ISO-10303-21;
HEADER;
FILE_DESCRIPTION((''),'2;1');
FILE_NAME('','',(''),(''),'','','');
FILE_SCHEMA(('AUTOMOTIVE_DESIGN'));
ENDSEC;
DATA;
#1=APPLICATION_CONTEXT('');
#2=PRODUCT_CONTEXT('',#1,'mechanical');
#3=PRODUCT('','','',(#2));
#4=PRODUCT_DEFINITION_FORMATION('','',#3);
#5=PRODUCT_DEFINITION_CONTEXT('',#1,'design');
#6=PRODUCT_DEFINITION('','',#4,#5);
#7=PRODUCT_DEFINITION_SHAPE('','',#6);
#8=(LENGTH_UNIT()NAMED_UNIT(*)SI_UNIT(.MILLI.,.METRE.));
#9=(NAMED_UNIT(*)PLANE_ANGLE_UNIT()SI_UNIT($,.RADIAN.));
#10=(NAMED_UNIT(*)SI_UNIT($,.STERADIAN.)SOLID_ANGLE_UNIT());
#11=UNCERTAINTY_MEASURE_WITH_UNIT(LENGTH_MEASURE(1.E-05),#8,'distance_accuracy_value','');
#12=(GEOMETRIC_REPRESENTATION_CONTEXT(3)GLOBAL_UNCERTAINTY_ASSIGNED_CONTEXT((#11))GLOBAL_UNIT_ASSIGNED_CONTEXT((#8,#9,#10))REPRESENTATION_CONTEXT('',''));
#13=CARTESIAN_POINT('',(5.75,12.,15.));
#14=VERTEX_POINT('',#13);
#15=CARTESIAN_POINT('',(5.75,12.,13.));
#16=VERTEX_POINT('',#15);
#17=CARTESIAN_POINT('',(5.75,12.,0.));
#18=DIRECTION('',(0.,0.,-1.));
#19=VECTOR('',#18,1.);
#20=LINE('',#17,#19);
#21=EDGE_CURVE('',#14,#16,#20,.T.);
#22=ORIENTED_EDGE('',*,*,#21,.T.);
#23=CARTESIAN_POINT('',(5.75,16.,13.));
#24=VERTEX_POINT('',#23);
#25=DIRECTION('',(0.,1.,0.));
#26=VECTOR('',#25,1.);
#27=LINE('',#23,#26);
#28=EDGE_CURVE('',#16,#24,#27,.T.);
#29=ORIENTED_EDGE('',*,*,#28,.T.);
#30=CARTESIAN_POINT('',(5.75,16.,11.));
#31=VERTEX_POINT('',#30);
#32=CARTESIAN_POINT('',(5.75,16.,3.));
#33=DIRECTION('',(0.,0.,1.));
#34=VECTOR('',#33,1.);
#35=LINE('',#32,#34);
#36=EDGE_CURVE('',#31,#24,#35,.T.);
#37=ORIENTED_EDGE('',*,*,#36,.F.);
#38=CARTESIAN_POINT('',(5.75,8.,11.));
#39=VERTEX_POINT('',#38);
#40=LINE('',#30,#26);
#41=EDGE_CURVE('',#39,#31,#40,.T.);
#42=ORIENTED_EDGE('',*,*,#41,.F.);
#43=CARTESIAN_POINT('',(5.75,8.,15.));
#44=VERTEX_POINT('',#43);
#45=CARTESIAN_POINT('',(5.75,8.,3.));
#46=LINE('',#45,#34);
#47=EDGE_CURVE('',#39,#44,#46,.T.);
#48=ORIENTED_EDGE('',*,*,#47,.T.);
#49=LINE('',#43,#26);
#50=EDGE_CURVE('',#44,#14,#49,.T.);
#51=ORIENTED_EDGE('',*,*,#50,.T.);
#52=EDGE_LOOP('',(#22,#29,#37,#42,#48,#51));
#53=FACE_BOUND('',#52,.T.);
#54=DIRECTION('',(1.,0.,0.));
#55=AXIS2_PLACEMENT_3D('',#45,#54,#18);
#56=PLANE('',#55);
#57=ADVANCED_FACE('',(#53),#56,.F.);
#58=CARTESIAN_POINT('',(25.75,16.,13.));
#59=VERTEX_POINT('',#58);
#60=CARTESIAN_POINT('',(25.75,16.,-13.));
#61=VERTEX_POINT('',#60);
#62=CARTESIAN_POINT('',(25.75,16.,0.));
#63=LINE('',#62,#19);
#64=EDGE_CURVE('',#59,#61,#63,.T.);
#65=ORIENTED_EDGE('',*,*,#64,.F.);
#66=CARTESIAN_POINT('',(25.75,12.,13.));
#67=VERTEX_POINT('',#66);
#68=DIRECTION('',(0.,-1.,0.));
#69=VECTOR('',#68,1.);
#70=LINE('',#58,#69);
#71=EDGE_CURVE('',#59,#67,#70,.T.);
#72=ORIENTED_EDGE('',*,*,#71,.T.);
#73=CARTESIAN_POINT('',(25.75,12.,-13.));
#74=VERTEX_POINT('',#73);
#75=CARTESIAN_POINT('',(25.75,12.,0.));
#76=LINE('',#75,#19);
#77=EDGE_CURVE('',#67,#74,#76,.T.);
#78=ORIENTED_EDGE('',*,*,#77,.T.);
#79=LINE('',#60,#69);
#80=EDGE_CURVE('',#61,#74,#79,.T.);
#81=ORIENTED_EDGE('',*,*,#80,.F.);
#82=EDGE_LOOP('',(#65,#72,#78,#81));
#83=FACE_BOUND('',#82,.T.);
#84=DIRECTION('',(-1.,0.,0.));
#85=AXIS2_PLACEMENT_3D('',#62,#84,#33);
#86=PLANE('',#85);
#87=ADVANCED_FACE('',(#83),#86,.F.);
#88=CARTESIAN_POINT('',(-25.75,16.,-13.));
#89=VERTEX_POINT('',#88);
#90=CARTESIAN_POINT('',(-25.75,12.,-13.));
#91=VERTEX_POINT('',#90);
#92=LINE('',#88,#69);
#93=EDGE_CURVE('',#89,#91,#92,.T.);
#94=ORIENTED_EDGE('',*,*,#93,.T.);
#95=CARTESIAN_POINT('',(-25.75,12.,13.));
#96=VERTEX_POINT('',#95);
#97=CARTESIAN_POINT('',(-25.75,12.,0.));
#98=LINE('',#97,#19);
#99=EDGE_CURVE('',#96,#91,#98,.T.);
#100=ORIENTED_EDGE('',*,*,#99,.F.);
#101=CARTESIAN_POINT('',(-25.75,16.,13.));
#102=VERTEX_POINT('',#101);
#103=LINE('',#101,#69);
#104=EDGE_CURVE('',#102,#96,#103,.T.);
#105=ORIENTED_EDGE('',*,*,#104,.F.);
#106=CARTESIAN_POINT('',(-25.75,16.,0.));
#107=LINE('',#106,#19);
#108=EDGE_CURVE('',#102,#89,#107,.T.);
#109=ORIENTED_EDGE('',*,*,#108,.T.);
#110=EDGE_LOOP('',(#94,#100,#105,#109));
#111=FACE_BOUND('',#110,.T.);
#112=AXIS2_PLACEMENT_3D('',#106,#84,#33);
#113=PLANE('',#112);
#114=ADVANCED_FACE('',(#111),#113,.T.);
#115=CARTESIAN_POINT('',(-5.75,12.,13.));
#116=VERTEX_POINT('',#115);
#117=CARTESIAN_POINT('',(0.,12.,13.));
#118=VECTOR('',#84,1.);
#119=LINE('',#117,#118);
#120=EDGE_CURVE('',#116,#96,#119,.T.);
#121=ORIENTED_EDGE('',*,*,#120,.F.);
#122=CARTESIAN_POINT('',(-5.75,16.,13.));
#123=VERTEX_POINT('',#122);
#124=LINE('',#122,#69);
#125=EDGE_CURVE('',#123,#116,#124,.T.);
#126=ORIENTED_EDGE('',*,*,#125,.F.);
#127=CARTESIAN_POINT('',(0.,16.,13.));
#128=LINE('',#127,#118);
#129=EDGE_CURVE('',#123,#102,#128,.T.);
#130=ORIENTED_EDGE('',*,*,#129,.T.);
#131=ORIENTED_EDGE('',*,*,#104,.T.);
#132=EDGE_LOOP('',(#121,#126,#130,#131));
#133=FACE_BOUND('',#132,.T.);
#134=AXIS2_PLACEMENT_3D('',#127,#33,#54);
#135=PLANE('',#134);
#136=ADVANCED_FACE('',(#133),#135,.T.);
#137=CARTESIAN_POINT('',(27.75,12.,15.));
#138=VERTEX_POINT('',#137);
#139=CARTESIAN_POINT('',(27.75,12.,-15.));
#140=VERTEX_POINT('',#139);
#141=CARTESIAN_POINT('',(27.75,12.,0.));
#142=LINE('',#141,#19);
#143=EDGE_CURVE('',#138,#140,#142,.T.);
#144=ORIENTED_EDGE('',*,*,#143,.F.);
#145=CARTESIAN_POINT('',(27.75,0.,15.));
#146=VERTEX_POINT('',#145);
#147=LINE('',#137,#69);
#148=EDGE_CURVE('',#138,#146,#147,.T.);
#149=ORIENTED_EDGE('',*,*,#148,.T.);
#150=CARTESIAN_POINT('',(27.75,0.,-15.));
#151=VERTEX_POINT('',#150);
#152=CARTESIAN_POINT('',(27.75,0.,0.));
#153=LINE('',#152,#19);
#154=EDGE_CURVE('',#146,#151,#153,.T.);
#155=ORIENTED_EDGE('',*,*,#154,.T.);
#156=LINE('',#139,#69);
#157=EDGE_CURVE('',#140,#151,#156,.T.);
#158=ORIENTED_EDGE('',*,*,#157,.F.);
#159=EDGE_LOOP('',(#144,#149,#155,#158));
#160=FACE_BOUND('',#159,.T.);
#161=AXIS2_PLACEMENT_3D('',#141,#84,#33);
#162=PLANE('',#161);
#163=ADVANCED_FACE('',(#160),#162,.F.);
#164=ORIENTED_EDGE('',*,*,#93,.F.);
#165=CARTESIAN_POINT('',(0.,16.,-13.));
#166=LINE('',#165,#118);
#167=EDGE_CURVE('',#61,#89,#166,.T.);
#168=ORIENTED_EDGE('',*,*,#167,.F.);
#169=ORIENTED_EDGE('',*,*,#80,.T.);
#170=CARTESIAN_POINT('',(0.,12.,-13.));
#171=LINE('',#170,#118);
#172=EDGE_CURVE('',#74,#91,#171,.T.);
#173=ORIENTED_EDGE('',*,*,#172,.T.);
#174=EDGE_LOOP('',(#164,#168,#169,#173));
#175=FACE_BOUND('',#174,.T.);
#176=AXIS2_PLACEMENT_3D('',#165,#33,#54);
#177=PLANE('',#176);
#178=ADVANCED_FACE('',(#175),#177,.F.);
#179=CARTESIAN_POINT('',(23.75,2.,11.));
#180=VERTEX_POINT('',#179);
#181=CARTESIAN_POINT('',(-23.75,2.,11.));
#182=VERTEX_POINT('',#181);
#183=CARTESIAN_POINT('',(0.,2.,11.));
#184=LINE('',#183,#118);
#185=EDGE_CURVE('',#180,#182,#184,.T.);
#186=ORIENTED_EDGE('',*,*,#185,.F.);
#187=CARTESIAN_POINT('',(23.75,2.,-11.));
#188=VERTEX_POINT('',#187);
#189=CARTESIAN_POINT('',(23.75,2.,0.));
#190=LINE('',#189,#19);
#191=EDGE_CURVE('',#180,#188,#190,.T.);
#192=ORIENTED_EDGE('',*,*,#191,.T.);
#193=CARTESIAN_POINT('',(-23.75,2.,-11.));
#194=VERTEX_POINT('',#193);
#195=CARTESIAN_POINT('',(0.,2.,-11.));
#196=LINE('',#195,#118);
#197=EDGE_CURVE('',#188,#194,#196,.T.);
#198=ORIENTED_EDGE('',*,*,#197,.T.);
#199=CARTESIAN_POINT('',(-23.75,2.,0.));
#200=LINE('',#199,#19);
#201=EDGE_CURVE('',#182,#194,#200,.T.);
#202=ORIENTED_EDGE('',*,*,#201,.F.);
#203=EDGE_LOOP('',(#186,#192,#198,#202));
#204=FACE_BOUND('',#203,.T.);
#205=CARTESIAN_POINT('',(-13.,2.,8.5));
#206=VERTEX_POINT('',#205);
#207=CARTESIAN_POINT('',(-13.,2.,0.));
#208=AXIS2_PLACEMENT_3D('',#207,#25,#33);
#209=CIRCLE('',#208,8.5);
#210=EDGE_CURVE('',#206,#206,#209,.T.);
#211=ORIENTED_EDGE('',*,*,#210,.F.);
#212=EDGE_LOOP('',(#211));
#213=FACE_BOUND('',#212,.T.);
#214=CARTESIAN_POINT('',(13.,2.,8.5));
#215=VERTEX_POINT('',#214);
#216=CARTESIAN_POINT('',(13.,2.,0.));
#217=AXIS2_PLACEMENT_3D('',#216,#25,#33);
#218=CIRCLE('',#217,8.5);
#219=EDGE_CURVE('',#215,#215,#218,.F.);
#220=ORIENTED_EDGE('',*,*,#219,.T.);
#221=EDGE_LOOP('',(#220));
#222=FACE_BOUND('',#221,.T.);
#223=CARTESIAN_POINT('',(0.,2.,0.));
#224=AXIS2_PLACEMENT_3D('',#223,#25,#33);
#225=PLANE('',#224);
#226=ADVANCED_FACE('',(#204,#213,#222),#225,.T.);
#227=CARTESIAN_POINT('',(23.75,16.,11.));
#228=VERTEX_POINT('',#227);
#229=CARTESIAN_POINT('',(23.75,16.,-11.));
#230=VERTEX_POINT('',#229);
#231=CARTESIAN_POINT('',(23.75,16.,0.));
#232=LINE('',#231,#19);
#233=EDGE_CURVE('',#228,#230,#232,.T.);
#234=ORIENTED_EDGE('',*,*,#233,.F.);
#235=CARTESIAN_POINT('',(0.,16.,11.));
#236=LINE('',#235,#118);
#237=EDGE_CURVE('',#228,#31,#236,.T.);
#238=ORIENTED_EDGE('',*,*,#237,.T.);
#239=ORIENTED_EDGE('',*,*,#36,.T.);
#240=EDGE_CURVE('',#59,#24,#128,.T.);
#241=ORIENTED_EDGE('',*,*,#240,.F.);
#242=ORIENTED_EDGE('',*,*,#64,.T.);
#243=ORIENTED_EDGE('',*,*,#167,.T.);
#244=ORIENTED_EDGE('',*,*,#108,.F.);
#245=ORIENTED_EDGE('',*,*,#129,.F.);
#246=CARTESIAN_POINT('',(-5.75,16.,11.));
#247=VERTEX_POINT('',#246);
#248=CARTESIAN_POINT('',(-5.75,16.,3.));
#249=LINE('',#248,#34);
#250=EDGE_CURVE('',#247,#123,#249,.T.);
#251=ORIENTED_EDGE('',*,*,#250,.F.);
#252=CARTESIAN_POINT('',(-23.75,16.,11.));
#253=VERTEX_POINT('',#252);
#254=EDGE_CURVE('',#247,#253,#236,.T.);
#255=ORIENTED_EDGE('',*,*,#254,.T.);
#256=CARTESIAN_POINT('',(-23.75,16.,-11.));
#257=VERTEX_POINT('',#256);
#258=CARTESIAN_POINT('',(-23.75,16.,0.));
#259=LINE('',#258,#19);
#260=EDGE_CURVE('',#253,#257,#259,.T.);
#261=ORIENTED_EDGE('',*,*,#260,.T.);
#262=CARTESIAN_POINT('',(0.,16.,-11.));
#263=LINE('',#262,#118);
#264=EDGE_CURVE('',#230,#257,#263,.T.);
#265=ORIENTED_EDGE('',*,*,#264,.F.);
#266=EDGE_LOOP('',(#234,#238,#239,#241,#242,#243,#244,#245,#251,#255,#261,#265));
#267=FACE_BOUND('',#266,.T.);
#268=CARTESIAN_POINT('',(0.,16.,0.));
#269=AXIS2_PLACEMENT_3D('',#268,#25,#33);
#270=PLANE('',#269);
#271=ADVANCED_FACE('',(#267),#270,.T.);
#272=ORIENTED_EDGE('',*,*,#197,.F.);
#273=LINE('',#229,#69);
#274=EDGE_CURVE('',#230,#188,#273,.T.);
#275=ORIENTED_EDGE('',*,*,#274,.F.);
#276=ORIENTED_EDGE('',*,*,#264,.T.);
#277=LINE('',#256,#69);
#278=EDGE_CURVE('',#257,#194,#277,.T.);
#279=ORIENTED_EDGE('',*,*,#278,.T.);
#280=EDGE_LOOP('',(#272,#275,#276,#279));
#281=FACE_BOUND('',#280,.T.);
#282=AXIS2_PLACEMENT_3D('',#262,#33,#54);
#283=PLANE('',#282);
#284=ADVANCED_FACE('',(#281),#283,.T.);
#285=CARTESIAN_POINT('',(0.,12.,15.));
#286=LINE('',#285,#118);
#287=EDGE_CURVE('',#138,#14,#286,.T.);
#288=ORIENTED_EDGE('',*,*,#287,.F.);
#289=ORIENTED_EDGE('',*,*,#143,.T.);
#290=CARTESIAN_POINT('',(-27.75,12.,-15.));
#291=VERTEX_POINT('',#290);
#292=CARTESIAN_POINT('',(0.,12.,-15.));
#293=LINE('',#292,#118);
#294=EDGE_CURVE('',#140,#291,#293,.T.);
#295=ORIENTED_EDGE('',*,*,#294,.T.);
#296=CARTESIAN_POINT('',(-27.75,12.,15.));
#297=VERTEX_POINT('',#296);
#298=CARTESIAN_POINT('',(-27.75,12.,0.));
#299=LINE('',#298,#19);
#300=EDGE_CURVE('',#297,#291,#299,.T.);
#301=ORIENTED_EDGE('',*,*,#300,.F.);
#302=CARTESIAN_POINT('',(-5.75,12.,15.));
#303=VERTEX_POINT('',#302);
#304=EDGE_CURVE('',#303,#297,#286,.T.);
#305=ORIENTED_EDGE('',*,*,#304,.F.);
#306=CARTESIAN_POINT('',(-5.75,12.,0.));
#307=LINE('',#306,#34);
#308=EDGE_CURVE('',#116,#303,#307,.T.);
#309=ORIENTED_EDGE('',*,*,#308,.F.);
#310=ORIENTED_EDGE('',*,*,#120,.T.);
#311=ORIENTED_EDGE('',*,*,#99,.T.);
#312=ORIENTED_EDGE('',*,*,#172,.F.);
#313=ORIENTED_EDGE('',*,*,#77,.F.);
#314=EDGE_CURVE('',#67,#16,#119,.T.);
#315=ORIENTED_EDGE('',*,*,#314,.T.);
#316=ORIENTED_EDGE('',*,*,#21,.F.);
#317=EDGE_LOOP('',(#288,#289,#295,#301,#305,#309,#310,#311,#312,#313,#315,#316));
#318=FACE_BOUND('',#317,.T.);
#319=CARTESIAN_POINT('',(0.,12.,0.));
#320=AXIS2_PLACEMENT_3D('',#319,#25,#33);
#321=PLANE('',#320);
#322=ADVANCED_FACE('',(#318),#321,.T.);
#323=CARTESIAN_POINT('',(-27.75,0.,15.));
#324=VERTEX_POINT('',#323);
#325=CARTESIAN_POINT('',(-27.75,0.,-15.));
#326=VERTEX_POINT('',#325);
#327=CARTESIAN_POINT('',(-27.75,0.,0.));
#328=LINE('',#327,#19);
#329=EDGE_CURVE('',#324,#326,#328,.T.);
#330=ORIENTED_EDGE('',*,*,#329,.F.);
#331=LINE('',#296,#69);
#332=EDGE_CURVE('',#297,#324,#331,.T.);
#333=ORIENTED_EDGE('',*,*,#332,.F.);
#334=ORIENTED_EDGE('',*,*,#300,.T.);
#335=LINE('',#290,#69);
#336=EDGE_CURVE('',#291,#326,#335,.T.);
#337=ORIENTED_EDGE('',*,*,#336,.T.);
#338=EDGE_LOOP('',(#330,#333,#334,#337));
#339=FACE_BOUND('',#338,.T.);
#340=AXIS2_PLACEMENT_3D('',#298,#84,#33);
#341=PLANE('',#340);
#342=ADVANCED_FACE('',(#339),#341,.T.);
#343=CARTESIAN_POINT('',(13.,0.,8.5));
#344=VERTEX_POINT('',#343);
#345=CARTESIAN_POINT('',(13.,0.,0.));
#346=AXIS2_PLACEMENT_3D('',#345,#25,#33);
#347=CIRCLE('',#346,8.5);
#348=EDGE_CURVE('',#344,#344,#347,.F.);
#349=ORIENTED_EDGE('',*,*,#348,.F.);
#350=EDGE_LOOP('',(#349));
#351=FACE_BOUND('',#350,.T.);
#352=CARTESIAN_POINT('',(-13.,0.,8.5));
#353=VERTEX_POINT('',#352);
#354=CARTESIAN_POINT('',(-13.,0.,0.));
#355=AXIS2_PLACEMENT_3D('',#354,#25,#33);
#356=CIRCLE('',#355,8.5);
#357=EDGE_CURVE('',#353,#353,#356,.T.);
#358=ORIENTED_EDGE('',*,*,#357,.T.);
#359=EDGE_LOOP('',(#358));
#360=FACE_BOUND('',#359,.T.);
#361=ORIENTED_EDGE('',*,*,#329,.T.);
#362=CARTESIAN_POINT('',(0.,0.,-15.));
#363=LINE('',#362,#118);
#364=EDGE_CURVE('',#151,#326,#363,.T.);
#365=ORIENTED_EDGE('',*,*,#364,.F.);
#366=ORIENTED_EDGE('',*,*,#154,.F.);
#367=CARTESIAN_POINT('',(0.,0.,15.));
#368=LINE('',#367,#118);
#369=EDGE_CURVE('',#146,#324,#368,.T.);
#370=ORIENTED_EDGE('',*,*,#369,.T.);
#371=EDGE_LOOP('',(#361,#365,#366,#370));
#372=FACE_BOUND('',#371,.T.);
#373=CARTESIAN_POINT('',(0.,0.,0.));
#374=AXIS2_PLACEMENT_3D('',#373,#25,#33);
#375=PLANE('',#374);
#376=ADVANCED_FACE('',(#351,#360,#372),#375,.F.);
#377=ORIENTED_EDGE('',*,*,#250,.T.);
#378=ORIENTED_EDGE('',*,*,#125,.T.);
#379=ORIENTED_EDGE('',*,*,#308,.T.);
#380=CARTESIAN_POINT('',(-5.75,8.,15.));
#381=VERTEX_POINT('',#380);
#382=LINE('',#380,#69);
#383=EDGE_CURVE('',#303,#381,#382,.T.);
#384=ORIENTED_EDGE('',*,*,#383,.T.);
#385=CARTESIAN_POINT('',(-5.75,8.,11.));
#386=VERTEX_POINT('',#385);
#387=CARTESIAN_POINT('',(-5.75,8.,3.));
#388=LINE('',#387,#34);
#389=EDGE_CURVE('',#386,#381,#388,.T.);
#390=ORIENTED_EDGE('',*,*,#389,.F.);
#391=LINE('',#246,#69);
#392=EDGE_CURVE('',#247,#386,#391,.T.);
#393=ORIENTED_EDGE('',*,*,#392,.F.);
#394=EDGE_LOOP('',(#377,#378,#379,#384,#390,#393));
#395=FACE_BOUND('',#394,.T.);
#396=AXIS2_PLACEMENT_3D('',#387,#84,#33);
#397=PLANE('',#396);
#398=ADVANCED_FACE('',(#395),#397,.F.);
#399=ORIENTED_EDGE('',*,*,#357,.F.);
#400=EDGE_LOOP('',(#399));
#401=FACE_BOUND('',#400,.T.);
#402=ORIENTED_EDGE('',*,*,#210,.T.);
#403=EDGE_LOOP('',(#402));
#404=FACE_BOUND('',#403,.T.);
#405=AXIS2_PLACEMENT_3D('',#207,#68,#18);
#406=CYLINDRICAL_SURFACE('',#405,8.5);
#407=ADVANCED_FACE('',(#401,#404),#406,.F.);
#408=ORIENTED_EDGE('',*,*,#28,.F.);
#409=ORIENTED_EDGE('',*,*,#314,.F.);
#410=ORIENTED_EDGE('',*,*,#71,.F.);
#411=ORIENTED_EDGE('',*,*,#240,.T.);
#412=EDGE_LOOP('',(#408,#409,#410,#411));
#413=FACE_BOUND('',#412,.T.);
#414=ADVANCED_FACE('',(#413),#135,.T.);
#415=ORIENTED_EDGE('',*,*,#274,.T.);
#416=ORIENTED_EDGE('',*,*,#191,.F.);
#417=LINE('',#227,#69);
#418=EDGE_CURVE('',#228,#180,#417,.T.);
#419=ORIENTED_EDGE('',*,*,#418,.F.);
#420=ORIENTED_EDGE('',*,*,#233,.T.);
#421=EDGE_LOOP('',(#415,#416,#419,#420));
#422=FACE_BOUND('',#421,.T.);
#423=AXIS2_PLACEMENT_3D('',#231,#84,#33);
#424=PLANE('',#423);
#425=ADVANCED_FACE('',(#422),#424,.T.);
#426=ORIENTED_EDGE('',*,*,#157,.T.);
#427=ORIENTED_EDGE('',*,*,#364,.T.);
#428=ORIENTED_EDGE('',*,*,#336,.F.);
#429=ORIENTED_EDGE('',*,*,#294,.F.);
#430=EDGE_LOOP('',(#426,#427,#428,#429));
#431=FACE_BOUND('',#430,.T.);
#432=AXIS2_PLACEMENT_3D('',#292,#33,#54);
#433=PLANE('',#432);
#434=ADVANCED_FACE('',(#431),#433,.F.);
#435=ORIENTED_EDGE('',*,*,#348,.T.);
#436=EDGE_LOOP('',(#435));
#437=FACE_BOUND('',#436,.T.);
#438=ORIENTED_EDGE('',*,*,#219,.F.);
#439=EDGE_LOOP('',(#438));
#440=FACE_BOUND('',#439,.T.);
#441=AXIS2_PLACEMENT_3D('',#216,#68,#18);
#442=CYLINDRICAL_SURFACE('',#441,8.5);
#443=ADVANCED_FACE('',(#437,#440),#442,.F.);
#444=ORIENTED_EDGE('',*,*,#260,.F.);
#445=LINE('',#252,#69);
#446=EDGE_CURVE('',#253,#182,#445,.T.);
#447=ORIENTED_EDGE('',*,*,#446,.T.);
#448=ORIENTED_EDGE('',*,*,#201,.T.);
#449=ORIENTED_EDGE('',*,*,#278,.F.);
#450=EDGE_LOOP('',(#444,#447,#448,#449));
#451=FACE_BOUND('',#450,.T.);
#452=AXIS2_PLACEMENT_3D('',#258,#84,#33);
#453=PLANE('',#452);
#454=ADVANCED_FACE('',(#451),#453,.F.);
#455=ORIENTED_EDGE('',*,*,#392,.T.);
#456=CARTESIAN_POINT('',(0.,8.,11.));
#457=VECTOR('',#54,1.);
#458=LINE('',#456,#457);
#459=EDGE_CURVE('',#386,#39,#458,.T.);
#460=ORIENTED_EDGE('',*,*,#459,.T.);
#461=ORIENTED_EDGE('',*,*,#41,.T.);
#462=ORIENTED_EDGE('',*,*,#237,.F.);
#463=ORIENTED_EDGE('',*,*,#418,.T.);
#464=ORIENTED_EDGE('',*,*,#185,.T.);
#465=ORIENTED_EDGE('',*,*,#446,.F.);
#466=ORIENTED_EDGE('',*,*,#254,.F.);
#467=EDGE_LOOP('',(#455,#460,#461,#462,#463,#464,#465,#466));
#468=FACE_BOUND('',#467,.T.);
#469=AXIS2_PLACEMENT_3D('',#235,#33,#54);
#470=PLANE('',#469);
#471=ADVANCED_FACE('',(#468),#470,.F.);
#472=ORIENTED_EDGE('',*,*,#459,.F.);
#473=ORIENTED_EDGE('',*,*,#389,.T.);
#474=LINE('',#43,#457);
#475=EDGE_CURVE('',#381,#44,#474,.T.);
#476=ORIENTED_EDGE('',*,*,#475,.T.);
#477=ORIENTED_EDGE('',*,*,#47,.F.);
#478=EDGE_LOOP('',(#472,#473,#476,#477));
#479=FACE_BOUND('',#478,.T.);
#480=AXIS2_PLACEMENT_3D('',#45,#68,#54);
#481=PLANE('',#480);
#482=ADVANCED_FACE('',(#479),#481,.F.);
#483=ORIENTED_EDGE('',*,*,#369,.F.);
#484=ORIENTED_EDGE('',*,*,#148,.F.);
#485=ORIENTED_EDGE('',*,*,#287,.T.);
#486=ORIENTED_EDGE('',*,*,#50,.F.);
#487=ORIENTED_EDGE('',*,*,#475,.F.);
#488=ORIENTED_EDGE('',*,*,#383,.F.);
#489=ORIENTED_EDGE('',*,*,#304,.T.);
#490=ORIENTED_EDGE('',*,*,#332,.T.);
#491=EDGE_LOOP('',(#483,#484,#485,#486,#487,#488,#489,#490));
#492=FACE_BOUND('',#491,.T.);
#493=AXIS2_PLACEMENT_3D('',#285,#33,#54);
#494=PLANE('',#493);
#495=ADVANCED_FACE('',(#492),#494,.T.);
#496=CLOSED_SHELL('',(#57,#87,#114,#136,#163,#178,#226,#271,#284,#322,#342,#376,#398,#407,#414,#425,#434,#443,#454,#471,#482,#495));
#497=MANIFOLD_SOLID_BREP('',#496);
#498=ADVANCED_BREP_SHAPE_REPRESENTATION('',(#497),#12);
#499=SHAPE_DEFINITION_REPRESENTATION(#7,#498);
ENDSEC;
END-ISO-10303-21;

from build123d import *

# Parameters (mm, degrees)
SKETCH1_W           = 47.5
SKETCH1_H           = 22
SKETCH1_R           = 8.5
BOSS_EXTRUDE1_DEPTH = 2
SKETCH1_3_W         = 51.5
SKETCH1_3_H         = 26
SKETCH1_3_W_2       = 47.5
SKETCH1_3_H_2       = 22
BOSS_EXTRUDE2_DEPTH = 16
SKETCH1_5_W         = 55.5
SKETCH1_5_H         = 30
SKETCH1_5_W_2       = 51.5
SKETCH1_5_H_2       = 26
BOSS_EXTRUDE3_DEPTH = 12
SKETCH2_W           = 11.5
SKETCH2_H           = 8
CUT_EXTRUDE1_DEPTH  = 12


with BuildPart() as part:
    # Sketch1 → Boss-Extrude1 (new body)
    with BuildSketch(Plane(origin=(0, 0, 0), x_dir=(1, 0, 0), z_dir=(0, 1, 0))):
        Rectangle(SKETCH1_W, SKETCH1_H)
        with Locations((-13, 0)):
            Circle(SKETCH1_R, mode=Mode.SUBTRACT)
        with Locations((13, 0)):
            Circle(SKETCH1_R, mode=Mode.SUBTRACT)
    extrude(amount=BOSS_EXTRUDE1_DEPTH)

    # Sketch1<3> → Boss-Extrude2 (add)
    with BuildSketch(Plane(origin=(0, 0, 0), x_dir=(1, 0, 0), z_dir=(0, 1, 0))):
        Rectangle(SKETCH1_3_W, SKETCH1_3_H)
        Rectangle(SKETCH1_3_W_2, SKETCH1_3_H_2, mode=Mode.SUBTRACT)
    extrude(amount=BOSS_EXTRUDE2_DEPTH)

    # Sketch1<5> → Boss-Extrude3 (add)
    with BuildSketch(Plane(origin=(0, 0, 0), x_dir=(1, 0, 0), z_dir=(0, 1, 0))):
        Rectangle(SKETCH1_5_W, SKETCH1_5_H)
        Rectangle(SKETCH1_5_W_2, SKETCH1_5_H_2, mode=Mode.SUBTRACT)
    extrude(amount=BOSS_EXTRUDE3_DEPTH)

    # Sketch2 → Cut-Extrude1 (cut)
    with BuildSketch(Plane.XY.offset(15)):
        with Locations((0, 12)):
            Rectangle(SKETCH2_W, SKETCH2_H)
    extrude(amount=-CUT_EXTRUDE1_DEPTH, mode=Mode.SUBTRACT)


solid = part.part
